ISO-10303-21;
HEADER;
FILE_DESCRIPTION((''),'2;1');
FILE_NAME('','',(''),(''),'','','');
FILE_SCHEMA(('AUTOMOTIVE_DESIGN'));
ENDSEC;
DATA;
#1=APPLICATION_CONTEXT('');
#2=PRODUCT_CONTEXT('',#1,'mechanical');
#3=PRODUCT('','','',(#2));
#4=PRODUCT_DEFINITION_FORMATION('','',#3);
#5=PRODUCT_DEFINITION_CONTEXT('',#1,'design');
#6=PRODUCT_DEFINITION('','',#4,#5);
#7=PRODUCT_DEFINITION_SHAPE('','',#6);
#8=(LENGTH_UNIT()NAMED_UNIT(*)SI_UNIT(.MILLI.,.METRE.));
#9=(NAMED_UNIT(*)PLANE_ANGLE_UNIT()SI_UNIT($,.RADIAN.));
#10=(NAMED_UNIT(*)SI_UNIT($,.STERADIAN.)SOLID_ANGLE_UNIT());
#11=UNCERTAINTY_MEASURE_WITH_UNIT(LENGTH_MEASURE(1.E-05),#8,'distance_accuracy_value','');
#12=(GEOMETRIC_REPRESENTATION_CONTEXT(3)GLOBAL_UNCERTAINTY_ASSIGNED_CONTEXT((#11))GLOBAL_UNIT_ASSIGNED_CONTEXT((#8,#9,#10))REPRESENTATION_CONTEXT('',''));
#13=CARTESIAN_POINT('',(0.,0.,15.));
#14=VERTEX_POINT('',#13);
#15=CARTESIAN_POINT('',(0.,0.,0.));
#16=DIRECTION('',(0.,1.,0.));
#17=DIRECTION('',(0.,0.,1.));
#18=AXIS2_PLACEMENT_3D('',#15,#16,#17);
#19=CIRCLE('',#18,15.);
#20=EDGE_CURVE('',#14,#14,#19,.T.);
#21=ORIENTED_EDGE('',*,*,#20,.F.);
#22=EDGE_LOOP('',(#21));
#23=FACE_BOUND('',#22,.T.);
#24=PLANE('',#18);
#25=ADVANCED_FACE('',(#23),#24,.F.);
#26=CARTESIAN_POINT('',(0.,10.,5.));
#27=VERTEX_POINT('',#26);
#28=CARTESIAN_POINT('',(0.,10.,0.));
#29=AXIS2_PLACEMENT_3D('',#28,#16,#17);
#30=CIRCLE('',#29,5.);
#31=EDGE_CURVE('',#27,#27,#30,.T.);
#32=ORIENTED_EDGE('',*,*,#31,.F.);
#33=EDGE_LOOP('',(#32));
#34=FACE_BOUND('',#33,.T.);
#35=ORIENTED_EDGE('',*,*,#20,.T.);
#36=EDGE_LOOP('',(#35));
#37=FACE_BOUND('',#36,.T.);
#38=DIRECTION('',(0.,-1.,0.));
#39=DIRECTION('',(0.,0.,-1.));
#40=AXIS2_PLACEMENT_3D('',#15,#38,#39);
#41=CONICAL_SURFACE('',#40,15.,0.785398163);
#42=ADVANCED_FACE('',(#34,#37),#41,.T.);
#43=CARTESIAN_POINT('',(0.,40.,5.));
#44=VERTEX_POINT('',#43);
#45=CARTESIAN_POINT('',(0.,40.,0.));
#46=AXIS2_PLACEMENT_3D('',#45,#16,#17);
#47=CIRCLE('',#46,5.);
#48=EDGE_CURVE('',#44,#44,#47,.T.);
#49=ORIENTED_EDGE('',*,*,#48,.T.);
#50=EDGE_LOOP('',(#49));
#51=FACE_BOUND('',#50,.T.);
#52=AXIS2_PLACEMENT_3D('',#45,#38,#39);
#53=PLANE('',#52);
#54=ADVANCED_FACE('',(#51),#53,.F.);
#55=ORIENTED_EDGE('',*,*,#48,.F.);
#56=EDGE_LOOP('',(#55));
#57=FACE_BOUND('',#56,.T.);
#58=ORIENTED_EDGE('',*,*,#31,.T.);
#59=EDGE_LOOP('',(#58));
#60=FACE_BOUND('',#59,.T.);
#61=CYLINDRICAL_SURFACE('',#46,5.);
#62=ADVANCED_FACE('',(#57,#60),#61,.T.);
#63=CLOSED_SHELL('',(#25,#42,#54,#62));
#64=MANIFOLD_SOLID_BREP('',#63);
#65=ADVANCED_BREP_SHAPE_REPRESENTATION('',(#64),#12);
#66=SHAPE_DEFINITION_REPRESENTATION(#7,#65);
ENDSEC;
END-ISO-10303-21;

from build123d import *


with BuildPart() as part:
    # Sketch1 → Revolve1 (revolve)
    with BuildSketch(Plane(origin=(0, 0, 0), x_dir=(0, 0, -1), z_dir=(1, 0, 0))):
        Polygon((15, 0), (5, 10), (5, 40), (0, 40), (0, 0), align=None)
    revolve(axis=Axis((0, 40, 0), (0, -1, 0)))


solid = part.part
